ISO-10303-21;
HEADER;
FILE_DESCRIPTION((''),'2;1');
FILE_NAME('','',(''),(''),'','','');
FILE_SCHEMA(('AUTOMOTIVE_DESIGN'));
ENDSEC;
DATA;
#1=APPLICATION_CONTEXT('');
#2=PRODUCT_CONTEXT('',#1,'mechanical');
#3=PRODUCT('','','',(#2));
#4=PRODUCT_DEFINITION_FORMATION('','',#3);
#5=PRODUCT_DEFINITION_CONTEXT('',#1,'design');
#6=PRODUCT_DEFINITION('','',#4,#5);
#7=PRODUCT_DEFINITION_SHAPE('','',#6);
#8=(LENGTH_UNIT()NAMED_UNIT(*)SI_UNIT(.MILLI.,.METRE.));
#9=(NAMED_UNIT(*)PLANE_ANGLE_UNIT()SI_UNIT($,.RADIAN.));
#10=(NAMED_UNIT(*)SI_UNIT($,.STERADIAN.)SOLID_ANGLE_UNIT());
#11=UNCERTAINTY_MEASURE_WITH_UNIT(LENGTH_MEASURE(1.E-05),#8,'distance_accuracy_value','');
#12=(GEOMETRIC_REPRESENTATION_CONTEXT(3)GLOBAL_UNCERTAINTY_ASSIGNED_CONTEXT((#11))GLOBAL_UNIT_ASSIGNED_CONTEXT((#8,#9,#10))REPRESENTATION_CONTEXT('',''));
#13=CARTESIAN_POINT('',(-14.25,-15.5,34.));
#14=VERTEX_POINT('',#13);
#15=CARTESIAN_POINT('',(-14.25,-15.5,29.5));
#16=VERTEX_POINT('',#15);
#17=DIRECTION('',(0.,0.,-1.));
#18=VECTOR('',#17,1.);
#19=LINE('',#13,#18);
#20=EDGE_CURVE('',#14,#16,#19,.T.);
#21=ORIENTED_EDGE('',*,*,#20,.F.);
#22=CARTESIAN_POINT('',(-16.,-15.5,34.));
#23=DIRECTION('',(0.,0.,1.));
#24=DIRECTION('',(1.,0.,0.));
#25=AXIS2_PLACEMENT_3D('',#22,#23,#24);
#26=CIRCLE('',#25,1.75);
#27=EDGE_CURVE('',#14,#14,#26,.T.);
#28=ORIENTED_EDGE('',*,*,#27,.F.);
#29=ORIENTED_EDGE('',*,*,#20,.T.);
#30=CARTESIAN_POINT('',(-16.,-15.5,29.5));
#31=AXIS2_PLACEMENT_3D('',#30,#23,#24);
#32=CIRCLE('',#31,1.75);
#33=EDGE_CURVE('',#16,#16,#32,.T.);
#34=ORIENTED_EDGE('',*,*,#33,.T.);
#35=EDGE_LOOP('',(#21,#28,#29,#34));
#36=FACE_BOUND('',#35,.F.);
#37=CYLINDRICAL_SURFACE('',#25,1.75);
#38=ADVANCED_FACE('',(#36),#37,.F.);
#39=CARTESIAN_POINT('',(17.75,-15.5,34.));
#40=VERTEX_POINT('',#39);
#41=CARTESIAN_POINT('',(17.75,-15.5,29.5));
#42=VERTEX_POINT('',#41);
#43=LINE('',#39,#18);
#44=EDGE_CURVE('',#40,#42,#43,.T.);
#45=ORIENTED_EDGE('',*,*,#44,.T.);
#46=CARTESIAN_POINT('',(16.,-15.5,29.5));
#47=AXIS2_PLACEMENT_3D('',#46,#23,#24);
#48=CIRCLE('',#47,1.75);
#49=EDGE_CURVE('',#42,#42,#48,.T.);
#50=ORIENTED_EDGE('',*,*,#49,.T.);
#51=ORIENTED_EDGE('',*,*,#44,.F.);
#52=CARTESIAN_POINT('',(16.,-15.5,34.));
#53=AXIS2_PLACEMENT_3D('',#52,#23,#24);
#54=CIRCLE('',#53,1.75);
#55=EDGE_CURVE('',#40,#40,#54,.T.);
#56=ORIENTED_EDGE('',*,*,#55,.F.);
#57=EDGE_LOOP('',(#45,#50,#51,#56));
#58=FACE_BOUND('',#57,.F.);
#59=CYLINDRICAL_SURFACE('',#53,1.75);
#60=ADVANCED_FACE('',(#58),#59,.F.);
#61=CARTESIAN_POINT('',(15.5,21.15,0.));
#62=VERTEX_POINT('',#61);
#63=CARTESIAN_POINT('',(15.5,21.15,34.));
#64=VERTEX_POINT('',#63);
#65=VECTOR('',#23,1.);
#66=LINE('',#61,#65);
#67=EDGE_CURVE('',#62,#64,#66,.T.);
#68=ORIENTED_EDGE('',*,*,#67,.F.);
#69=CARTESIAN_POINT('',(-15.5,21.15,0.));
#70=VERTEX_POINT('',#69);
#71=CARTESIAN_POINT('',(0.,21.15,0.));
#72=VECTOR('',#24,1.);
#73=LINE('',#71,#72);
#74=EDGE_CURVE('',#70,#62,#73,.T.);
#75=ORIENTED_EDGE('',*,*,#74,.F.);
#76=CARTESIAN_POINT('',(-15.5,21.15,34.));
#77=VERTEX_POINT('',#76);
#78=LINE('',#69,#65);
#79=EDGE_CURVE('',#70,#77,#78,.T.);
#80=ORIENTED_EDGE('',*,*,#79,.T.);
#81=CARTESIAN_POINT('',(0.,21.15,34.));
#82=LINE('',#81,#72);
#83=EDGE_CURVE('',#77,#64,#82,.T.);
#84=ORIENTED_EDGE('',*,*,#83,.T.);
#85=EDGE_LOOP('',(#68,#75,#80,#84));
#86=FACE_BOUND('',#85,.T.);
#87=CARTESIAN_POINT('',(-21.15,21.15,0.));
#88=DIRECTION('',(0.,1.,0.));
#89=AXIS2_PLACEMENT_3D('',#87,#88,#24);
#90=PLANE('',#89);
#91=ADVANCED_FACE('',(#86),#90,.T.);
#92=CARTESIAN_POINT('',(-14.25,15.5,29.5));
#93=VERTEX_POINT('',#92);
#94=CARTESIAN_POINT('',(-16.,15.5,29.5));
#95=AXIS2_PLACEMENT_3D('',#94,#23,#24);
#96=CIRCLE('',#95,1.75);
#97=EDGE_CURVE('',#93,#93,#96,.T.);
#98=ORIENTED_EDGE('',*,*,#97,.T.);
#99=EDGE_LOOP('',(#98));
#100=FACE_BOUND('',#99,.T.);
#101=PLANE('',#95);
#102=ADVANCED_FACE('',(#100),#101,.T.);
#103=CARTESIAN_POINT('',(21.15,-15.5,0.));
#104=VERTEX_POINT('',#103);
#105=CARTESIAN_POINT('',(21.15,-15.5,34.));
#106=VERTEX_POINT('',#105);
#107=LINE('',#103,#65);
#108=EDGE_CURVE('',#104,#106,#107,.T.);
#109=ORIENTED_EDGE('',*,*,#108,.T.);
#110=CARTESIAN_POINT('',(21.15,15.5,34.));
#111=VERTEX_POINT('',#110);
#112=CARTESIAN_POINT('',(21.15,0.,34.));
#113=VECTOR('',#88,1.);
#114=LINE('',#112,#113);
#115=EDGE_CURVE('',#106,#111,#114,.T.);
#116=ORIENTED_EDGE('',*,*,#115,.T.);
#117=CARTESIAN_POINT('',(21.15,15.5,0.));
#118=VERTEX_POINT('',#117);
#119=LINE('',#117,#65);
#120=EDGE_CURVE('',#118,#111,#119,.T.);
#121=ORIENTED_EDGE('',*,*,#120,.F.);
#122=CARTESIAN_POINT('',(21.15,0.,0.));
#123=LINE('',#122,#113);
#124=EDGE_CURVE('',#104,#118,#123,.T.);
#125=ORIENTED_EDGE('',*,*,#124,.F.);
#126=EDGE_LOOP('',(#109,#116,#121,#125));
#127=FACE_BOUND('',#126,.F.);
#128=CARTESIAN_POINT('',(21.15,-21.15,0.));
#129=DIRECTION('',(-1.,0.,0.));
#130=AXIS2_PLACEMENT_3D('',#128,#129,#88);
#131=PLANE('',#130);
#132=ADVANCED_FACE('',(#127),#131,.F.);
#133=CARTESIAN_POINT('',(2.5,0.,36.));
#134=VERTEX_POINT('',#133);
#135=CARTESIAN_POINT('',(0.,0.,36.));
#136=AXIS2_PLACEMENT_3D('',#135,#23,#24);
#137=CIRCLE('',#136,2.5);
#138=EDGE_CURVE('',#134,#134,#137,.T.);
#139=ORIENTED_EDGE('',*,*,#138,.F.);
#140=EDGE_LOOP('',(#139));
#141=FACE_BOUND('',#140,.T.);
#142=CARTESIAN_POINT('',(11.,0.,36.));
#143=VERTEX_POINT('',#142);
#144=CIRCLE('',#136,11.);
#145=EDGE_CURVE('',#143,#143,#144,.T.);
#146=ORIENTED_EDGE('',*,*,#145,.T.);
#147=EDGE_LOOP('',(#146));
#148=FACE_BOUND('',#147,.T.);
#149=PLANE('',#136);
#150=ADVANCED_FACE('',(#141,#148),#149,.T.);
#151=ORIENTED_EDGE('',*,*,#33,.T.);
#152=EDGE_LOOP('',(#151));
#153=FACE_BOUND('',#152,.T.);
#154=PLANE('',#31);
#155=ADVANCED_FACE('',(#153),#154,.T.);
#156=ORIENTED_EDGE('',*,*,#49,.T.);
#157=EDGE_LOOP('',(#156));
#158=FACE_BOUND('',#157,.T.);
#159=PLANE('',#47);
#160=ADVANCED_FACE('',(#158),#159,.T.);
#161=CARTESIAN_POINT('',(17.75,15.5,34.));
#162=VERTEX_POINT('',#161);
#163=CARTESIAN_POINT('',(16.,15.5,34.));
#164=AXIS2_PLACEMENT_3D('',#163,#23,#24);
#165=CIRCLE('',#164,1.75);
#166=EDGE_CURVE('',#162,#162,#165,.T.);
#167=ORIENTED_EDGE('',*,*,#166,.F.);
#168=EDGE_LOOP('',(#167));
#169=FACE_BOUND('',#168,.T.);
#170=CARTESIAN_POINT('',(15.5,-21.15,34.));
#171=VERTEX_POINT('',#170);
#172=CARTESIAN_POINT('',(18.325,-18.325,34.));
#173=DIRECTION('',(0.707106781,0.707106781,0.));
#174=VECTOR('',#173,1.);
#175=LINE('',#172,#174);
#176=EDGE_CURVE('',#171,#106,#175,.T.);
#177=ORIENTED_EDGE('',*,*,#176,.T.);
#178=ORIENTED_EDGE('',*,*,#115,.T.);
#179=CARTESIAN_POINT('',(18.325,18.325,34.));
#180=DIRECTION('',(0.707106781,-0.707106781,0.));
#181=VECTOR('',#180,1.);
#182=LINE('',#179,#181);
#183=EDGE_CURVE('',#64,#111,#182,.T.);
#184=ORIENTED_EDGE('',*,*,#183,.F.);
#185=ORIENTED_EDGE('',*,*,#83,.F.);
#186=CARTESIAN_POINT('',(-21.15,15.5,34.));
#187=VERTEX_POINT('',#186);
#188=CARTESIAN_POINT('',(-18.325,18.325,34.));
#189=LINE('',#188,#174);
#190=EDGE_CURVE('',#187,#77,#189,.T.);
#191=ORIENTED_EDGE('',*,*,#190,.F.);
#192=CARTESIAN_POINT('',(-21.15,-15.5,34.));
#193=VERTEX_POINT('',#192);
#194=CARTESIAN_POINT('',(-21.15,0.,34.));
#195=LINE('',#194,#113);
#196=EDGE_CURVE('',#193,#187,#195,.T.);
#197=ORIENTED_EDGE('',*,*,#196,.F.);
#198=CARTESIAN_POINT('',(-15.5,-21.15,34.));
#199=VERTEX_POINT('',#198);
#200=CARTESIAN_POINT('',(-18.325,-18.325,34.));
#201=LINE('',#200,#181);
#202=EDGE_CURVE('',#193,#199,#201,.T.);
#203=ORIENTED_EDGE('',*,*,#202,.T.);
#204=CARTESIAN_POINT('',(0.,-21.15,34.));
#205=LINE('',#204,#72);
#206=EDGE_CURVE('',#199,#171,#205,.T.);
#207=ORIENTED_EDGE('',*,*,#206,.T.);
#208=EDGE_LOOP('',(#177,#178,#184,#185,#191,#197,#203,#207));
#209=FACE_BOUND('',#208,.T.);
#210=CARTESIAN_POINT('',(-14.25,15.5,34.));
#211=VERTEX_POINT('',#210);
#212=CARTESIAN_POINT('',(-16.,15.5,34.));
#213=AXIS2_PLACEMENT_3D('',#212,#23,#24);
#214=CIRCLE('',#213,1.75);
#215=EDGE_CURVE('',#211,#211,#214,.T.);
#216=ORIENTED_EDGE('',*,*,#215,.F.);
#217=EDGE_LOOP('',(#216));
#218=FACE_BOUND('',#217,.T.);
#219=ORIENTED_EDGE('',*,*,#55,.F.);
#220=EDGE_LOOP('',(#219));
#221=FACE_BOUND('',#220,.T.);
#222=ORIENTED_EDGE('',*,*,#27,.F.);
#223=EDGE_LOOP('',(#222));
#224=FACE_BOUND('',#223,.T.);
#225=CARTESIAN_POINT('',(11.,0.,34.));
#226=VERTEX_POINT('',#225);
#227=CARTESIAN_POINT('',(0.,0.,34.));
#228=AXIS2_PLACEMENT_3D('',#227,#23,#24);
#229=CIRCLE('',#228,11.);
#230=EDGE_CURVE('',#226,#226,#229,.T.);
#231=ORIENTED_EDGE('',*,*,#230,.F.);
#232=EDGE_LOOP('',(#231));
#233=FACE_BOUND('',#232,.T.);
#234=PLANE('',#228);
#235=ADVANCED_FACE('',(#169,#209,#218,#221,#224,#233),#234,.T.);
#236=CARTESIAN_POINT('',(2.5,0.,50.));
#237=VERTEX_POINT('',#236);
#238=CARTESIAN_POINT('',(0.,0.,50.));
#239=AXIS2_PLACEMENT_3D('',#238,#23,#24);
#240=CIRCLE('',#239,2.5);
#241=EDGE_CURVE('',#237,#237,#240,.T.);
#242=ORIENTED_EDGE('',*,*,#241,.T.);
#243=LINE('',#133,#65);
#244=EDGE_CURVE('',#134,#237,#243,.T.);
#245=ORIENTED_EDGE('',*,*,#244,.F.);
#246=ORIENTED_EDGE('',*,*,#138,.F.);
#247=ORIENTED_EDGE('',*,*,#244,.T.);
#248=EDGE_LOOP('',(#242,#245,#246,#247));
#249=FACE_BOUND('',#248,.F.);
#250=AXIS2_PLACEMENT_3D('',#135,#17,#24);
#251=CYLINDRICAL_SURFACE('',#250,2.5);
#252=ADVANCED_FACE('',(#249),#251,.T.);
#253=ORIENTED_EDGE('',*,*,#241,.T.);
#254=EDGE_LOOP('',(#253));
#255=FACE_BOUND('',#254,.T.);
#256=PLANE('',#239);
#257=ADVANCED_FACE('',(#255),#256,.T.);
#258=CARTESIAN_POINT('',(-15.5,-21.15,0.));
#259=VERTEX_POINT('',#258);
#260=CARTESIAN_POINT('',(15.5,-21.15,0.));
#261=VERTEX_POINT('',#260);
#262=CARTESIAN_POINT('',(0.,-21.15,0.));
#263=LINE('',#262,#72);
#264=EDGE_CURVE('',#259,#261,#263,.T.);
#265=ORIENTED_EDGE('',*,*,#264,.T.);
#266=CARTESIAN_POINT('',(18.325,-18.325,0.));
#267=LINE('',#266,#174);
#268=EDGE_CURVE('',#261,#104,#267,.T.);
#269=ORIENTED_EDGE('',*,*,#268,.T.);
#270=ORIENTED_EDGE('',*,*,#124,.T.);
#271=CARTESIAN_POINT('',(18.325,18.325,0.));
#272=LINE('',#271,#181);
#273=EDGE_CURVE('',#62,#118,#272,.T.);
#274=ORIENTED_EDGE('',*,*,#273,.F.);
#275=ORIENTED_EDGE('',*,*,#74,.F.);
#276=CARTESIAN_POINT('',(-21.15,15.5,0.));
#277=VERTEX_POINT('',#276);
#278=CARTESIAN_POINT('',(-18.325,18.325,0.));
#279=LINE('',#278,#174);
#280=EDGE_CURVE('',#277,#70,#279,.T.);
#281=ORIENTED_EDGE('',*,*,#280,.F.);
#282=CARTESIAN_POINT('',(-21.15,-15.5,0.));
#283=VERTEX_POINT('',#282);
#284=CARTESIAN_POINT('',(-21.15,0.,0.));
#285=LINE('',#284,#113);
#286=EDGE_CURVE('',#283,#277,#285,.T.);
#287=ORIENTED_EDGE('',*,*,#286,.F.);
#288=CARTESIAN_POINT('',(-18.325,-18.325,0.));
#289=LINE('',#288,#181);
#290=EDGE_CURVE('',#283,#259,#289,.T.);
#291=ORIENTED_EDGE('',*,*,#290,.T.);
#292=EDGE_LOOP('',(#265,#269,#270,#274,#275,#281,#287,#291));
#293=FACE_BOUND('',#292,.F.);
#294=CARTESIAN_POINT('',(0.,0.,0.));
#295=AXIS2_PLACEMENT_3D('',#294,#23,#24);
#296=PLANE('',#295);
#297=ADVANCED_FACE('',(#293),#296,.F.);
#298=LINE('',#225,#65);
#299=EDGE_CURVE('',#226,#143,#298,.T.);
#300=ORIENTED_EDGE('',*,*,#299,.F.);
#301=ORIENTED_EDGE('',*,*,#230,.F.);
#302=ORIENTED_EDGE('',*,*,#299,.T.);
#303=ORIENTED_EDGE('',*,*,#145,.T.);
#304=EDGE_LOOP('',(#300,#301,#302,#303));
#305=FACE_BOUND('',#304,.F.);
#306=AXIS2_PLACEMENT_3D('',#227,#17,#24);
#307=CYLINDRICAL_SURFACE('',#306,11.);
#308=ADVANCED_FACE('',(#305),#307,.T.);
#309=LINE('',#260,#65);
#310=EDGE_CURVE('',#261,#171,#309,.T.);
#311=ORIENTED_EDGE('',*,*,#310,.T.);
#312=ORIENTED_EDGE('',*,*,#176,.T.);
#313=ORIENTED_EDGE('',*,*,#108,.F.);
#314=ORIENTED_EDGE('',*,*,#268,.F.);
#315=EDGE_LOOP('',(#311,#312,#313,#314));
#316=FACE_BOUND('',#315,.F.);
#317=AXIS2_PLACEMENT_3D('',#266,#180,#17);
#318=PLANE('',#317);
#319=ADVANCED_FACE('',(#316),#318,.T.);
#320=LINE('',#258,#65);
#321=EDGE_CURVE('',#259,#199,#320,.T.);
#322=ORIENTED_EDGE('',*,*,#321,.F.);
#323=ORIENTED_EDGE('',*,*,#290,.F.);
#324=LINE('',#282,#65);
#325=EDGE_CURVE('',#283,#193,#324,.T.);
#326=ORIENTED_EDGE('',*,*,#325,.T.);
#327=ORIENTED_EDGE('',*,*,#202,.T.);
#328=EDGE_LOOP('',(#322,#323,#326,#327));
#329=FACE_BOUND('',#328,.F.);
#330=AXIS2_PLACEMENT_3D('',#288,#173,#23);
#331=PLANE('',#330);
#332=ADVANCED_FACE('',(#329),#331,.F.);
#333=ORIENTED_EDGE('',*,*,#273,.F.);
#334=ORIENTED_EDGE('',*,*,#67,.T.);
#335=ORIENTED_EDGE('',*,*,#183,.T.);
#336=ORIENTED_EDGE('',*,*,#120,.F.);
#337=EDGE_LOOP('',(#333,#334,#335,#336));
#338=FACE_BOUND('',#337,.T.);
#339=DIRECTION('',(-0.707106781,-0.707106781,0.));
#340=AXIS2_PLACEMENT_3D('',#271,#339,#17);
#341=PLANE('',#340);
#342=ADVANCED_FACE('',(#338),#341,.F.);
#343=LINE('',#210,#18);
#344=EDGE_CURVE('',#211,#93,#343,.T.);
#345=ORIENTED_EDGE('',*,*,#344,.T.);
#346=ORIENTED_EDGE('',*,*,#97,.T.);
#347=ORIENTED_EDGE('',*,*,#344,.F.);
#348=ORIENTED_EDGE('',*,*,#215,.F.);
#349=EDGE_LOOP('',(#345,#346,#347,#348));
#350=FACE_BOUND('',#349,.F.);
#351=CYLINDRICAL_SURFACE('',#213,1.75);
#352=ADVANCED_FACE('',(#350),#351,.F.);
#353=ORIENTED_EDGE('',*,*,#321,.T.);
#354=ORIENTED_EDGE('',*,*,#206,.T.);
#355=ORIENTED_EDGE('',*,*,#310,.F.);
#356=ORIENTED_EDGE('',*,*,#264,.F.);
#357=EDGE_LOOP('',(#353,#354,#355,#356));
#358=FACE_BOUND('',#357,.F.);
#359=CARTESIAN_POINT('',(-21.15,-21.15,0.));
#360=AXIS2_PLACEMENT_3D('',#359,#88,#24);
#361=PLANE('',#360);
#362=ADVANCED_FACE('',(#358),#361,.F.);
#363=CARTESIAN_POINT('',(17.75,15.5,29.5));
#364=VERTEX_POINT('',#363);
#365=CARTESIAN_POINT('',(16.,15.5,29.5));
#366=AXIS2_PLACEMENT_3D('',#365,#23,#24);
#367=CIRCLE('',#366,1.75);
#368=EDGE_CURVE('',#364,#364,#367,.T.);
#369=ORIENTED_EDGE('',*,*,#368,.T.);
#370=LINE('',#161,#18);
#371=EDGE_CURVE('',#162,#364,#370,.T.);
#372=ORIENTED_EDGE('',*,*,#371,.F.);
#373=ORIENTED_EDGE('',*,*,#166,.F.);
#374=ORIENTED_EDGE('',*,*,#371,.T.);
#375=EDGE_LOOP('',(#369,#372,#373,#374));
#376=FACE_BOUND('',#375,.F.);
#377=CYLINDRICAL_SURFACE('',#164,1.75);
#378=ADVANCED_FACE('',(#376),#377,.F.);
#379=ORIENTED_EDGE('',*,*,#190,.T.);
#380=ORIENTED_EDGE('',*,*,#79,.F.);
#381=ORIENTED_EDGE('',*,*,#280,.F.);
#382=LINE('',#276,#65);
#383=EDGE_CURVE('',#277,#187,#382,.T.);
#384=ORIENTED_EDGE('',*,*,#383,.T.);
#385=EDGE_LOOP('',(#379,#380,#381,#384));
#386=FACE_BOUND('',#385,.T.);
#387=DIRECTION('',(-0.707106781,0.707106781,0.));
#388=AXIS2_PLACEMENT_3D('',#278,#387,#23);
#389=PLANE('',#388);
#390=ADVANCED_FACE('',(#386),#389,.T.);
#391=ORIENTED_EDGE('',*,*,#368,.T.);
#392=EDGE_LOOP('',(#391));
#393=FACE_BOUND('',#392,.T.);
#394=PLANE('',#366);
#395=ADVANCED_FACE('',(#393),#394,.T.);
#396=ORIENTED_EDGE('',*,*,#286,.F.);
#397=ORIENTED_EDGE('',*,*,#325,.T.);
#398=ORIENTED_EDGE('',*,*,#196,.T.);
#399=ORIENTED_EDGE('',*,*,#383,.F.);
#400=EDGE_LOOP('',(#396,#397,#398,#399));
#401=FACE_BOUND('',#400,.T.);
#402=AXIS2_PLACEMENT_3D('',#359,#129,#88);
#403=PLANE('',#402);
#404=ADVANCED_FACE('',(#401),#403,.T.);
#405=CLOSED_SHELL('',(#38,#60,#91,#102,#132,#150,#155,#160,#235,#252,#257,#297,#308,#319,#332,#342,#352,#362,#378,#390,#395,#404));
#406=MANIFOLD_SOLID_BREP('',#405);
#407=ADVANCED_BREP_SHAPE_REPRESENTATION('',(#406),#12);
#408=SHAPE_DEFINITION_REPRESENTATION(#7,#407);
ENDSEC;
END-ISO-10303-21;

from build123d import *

# Parameters (mm, degrees)
F0_W     = 42.3
F0_H     = 42.3
F1_DEPTH = 34
F2_R     = 11
F3_DEPTH = 2
F4_R     = 2.5
F5_DEPTH = 14
F6_SIZE  = 5.65
F7_R     = 1.75
F8_DEPTH = 4.5


with BuildPart() as f1:
    # F0 (on Top) → F1 (new body)
    with BuildSketch(Plane.XY):
        Rectangle(F0_W, F0_H)
    extrude(amount=F1_DEPTH)

    # F2 (on face) → F3 (join)
    with BuildSketch(Plane.XY.offset(34)):
        Circle(F2_R)
    extrude(amount=F3_DEPTH)

    # F4 (on face) → F5 (join)
    with BuildSketch(Plane.XY.offset(36)):
        Circle(F4_R)
    extrude(amount=F5_DEPTH)

    # F6
    f6_edges = [f1.edges().sort_by_distance(p)[0] for p in [
        (21.15, 21.15, 17),
        (-21.15, 21.15, 17),
        (21.15, -21.15, 17),
        (-21.15, -21.15, 17),
    ]]
    chamfer(f6_edges, length=F6_SIZE)

    # F7 (on face) → F8 (cut)
    with BuildSketch(Plane.XY.offset(34)):
        with Locations((16, 15.5)):
            Circle(F7_R)
        with Locations((-16, 15.5)):
            Circle(F7_R)
        with Locations((16, -15.5)):
            Circle(F7_R)
        with Locations((-16, -15.5)):
            Circle(F7_R)
    extrude(amount=-F8_DEPTH, mode=Mode.SUBTRACT)


solid = f1.part
